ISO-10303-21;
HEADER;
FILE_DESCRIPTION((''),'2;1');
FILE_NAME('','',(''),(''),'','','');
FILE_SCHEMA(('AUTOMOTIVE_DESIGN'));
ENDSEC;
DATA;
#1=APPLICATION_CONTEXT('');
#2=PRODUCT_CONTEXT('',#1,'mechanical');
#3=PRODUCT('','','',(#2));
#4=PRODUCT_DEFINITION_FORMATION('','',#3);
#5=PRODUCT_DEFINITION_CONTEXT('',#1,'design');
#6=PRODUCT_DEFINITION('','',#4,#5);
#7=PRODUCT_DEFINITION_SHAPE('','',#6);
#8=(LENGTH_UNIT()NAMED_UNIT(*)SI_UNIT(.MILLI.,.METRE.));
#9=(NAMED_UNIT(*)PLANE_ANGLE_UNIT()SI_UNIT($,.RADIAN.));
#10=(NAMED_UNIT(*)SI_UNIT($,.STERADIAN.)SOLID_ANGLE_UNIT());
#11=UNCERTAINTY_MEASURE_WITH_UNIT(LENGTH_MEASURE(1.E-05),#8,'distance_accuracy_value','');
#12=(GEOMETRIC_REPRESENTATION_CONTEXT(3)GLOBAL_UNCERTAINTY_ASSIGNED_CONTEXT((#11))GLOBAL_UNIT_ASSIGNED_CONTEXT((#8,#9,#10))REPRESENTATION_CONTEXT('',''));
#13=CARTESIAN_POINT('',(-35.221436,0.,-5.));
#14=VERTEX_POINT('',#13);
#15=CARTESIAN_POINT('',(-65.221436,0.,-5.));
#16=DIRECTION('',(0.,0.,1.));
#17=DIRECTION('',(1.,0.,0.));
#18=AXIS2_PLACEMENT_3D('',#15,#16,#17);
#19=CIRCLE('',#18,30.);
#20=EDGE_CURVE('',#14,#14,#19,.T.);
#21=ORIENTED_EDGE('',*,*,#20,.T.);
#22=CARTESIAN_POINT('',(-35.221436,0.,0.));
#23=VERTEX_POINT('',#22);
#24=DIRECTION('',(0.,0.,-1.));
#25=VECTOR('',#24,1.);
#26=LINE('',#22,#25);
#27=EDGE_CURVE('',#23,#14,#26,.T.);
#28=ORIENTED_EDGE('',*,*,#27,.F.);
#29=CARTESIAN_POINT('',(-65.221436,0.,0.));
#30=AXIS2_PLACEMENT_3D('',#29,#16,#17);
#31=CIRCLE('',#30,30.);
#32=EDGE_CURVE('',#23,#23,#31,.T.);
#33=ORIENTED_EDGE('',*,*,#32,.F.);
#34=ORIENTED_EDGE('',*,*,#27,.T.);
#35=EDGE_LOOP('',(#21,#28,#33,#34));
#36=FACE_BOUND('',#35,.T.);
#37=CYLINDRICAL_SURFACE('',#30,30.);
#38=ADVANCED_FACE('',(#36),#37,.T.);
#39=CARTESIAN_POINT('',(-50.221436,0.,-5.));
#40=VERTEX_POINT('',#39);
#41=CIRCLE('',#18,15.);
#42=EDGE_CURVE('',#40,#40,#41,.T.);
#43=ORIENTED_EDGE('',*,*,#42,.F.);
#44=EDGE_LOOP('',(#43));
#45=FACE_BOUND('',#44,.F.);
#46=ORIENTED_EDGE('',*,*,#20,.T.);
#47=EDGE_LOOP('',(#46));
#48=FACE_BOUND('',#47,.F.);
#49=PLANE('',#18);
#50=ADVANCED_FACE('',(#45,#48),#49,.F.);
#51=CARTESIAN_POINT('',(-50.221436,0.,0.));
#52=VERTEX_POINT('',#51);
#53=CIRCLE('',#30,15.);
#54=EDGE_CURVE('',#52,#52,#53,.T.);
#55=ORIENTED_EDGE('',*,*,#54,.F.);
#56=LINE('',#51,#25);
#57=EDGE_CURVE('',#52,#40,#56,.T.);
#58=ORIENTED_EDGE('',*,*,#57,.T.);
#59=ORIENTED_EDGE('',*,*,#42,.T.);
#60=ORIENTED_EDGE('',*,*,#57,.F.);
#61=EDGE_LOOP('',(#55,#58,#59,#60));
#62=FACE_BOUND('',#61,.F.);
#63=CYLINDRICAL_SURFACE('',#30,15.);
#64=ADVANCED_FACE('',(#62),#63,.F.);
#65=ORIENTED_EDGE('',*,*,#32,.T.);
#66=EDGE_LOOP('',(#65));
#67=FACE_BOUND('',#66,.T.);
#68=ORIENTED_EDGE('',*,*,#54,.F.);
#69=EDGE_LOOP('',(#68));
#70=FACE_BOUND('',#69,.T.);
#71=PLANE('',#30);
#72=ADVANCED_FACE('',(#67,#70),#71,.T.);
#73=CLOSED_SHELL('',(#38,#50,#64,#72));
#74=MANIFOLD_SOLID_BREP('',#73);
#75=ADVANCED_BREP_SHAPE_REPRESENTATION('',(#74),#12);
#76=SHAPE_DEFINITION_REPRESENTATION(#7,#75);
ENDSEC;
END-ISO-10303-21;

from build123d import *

# Parameters (mm, degrees)
F3_R     = 30
F5_DEPTH = 5
F4_R     = 15
F6_DEPTH = 5.001


with BuildPart() as f5:
    # F3 (on Top) → F5 (new body)
    with BuildSketch(Plane.XY):
        with Locations((-65.221436, 0)):
            Circle(F3_R)
    extrude(amount=-F5_DEPTH)

    # F4 (on Top) → F6 (cut, through all)
    with BuildSketch(Plane.XY):
        with Locations((-65.221436, 0)):
            Circle(F4_R)
    extrude(amount=-F6_DEPTH, mode=Mode.SUBTRACT)


solid = f5.part
